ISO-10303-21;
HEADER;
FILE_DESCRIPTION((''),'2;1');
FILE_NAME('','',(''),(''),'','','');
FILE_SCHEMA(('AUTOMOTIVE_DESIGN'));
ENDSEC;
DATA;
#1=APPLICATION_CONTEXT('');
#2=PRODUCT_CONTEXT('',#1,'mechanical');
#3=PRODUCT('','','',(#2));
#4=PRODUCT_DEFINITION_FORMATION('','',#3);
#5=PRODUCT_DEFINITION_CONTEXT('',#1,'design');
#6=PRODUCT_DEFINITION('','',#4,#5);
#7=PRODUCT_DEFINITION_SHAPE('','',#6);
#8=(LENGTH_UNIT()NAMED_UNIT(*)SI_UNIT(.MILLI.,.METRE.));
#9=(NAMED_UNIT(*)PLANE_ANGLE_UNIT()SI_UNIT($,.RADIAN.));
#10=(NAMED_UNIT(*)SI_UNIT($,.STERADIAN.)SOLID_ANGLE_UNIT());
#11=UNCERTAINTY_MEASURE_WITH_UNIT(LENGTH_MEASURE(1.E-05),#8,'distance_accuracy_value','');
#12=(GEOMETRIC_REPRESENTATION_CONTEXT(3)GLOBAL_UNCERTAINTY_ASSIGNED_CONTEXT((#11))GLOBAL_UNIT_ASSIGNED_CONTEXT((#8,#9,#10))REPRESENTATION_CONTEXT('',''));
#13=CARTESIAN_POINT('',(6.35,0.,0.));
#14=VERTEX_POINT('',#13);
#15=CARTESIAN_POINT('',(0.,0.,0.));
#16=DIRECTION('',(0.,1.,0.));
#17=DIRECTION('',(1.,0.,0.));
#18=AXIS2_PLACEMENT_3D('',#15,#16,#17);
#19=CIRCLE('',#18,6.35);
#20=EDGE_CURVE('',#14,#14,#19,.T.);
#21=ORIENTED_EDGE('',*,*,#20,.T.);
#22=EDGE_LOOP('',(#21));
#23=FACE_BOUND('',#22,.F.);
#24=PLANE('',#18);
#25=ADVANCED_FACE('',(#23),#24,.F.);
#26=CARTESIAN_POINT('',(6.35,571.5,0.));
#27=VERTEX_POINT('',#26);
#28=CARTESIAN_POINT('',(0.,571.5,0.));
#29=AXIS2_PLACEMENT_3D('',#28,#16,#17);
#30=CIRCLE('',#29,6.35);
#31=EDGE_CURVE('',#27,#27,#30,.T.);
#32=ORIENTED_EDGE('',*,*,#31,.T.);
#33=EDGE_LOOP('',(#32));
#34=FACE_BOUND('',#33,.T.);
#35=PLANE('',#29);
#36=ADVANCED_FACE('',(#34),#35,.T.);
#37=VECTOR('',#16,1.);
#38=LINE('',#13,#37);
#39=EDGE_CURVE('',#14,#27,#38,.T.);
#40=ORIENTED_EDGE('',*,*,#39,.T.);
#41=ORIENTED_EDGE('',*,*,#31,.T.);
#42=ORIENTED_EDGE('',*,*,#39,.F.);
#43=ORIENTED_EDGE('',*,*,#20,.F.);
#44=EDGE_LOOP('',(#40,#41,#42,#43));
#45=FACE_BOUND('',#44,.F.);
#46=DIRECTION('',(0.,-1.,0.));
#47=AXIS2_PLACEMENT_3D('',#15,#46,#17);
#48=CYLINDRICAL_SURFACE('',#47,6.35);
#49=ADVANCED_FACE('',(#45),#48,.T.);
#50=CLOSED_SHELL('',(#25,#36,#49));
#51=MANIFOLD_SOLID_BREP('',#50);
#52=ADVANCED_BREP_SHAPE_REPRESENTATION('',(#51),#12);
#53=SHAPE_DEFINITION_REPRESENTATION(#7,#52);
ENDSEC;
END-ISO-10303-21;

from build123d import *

# Parameters (mm, degrees)
SKETCH1_R           = 6.35
BOSS_EXTRUDE1_DEPTH = 571.5


with BuildPart() as part:
    # Sketch1 → Boss-Extrude1 (new body)
    with BuildSketch(Plane(origin=(0, 0, 0), x_dir=(1, 0, 0), z_dir=(0, 1, 0))):
        Circle(SKETCH1_R)
    extrude(amount=BOSS_EXTRUDE1_DEPTH)


solid = part.part
